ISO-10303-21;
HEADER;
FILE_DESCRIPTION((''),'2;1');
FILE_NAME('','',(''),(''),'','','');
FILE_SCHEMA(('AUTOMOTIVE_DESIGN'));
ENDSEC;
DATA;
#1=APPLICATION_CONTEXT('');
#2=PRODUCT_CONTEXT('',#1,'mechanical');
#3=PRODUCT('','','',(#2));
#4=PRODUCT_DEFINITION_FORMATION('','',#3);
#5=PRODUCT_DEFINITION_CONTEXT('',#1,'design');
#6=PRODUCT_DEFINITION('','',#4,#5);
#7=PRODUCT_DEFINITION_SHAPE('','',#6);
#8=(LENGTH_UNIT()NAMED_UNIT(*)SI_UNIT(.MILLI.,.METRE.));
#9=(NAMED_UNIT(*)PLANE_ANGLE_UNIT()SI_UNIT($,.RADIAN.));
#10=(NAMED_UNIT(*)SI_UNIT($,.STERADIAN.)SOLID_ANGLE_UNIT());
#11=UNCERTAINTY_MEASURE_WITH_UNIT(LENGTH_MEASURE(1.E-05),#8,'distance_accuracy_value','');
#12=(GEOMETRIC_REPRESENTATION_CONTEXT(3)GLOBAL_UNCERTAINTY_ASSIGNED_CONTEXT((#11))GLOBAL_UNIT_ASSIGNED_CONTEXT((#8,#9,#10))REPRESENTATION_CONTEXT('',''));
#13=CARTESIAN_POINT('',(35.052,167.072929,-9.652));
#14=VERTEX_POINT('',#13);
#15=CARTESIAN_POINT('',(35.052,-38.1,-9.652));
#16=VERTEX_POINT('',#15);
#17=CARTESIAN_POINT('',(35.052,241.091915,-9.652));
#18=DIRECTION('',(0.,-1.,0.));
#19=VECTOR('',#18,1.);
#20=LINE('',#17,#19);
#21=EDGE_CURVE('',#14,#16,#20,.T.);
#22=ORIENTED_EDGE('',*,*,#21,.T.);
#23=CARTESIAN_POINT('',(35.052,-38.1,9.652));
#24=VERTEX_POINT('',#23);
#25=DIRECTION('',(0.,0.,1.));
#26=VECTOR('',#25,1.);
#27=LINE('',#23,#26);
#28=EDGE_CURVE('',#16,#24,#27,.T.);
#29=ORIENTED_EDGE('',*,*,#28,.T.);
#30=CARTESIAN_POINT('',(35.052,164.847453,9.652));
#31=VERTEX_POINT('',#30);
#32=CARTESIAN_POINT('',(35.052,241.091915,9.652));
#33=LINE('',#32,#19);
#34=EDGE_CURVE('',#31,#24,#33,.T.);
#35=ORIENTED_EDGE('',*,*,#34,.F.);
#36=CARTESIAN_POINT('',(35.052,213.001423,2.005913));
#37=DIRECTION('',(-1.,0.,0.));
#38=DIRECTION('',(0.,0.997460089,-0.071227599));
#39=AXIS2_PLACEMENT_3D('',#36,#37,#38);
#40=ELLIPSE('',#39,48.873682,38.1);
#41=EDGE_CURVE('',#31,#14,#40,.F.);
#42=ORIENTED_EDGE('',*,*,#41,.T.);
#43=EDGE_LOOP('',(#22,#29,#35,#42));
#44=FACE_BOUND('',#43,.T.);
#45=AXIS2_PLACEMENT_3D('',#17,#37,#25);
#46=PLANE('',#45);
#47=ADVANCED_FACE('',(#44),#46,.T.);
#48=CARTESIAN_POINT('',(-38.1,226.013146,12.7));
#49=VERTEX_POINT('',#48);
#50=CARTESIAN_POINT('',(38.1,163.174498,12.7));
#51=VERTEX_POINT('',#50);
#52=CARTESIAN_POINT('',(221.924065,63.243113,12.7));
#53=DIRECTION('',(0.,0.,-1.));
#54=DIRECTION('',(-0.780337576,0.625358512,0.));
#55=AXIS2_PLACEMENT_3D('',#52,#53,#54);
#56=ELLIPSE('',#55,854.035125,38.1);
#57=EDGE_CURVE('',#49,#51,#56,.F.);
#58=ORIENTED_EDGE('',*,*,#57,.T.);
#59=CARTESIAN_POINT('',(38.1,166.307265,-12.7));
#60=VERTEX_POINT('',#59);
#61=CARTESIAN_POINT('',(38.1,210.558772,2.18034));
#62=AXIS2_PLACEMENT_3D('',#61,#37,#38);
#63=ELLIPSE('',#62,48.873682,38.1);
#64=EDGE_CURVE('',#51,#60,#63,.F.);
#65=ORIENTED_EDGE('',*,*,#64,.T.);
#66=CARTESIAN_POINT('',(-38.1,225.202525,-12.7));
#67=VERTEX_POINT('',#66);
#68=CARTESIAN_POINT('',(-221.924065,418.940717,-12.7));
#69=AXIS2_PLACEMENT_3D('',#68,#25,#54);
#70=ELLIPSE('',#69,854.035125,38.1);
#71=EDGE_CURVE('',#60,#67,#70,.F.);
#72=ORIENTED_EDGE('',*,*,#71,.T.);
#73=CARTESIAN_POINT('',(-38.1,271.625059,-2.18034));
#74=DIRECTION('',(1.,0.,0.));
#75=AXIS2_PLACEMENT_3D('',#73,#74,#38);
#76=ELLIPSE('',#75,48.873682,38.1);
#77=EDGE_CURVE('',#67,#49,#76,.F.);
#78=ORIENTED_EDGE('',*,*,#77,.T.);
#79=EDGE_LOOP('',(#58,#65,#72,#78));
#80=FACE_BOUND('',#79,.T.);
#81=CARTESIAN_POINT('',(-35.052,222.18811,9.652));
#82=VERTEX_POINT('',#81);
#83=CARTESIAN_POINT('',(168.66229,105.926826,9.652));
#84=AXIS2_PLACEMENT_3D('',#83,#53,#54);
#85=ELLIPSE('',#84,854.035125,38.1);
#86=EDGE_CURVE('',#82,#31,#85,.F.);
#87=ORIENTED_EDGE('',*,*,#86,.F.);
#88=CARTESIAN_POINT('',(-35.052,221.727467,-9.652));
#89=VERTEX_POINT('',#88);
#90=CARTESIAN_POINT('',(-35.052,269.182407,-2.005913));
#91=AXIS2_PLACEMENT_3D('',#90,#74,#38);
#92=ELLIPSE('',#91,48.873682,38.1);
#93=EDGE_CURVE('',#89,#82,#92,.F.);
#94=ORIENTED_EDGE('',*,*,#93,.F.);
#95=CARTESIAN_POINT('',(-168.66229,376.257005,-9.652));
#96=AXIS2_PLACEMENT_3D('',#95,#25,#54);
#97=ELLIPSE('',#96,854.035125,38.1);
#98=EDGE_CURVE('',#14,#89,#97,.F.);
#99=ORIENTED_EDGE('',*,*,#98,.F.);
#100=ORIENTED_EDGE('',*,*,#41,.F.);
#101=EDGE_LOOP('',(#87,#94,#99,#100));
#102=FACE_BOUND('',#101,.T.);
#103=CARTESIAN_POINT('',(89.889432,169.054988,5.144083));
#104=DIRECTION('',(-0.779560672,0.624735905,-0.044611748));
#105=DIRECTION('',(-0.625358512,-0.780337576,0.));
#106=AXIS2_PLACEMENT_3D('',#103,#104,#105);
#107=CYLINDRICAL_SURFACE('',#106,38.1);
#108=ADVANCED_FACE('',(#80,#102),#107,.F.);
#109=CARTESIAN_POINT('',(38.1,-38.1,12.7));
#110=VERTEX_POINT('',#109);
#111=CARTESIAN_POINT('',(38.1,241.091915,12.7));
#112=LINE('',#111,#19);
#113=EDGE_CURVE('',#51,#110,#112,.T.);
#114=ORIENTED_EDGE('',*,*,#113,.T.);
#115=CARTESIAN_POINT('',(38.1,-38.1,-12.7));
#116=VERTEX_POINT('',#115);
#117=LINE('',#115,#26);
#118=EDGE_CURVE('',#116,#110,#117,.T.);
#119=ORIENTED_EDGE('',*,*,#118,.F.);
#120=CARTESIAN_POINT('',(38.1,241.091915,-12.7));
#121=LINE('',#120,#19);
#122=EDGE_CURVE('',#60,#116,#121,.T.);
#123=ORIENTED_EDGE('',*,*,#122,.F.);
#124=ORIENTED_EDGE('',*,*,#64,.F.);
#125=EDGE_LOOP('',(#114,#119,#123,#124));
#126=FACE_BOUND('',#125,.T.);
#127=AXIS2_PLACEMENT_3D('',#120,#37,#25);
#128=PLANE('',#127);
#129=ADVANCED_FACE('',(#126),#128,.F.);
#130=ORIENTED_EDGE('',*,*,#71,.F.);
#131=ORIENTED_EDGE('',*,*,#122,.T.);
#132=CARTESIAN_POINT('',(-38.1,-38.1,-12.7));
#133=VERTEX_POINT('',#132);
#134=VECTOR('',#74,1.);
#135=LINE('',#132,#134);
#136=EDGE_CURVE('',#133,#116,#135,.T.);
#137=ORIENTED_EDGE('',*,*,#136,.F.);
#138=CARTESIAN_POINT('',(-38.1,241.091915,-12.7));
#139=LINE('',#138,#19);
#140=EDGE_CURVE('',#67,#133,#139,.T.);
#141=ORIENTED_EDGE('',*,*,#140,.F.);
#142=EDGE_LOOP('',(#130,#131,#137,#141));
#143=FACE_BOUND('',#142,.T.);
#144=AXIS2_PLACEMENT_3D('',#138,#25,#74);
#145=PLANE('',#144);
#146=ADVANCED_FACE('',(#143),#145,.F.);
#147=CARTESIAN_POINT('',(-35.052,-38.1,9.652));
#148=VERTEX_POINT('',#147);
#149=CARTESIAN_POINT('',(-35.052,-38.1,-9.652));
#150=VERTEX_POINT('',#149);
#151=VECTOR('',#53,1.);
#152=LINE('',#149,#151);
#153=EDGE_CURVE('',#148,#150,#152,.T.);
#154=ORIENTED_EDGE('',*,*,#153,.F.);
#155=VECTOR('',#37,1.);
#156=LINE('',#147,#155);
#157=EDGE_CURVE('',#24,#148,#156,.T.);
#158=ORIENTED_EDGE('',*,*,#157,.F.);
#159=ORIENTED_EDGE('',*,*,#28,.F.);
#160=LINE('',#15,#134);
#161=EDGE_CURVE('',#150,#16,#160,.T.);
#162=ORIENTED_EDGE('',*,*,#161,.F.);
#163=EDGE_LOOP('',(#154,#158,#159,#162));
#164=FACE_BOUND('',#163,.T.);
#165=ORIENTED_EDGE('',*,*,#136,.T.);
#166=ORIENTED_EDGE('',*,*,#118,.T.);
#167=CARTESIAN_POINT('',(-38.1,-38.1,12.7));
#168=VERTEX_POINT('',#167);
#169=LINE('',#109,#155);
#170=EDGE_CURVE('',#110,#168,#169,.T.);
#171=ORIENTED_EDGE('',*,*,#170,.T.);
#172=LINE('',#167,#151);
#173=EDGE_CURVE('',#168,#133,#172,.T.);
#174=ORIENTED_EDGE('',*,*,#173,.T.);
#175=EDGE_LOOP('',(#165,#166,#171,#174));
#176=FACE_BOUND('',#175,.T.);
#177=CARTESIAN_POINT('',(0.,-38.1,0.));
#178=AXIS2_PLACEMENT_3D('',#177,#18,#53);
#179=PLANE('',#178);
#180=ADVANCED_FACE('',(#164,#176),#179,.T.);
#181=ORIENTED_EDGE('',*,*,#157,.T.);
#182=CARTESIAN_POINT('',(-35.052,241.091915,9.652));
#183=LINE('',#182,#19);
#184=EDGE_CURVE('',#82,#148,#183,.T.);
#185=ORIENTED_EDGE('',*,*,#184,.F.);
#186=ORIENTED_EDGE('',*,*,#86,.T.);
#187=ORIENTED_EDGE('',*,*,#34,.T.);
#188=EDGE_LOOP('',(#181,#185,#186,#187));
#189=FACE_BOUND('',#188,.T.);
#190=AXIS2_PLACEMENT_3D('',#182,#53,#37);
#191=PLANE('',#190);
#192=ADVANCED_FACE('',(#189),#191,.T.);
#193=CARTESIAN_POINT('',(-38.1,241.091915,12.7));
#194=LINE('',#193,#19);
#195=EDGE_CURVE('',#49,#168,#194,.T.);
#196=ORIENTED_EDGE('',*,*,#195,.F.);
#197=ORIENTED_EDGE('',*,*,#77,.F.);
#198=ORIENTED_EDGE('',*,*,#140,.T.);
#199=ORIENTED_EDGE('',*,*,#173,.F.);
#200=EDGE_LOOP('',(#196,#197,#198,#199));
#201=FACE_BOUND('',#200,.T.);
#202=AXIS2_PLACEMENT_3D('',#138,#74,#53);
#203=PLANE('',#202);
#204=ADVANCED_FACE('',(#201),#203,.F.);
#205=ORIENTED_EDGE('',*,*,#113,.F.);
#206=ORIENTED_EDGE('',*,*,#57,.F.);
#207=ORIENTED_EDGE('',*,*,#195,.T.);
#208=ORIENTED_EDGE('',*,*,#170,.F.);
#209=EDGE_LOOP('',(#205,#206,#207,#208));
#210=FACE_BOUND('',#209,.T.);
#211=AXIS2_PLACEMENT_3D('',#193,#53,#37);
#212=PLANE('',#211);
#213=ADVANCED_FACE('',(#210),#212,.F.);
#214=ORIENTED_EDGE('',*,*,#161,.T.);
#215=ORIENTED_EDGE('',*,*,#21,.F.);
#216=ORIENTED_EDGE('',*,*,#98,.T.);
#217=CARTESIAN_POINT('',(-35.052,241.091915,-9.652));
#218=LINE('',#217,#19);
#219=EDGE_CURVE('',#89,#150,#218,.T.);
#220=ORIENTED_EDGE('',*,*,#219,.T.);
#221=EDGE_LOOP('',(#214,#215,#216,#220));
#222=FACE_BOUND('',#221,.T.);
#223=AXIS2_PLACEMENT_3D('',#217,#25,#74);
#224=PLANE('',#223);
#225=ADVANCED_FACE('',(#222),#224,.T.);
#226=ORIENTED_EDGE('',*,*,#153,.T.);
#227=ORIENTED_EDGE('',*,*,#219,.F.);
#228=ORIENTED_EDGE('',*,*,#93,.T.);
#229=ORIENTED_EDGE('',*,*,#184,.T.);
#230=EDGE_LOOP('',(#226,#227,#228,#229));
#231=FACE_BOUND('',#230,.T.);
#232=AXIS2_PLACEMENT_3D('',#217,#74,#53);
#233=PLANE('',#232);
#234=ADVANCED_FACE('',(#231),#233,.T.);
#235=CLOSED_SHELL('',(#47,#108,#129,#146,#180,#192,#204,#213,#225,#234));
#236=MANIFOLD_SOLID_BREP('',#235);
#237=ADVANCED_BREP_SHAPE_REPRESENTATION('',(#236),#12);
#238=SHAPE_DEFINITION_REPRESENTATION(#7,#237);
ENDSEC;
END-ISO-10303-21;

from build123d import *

# Parameters (mm, degrees)
SKETCH1_W           = 76.2
SKETCH1_H           = 25.4
SKETCH1_W_2         = 70.104
SKETCH1_H_2         = 19.304
BOSS_EXTRUDE1_DEPTH = 241.091915
SKETCH3_W           = 76.2
SKETCH3_H           = 25.4
SKETCH3_W_2         = 70.104
SKETCH3_H_2         = 19.304
BOSS_EXTRUDE2_DEPTH = 3.048
SKETCH4_W           = 76.2
SKETCH4_H           = 25.4
SKETCH4_W_2         = 70.104
SKETCH4_H_2         = 19.304
BOSS_EXTRUDE3_DEPTH = 38.1
CUT_EXTRUDE2_START  = 105.580594
SKETCH5_R           = 38.1
CUT_EXTRUDE2_DEPTH  = 111.6566


with BuildPart() as part:
    # Sketch1 → Boss-Extrude1 (new body)
    with BuildSketch(Plane(origin=(0, 0, 0), x_dir=(1, 0, 0), z_dir=(0, 1, 0))):
        Rectangle(SKETCH1_W, SKETCH1_H)
        Rectangle(SKETCH1_W_2, SKETCH1_H_2, mode=Mode.SUBTRACT)
    extrude(amount=BOSS_EXTRUDE1_DEPTH)

    # Sketch3 → Boss-Extrude2 (add)
    with BuildSketch(Plane(origin=(0, 241.09191526, 0), x_dir=(1, 0, 0), z_dir=(0, 1, 0))):
        Rectangle(SKETCH3_W, SKETCH3_H)
        Rectangle(SKETCH3_W_2, SKETCH3_H_2, mode=Mode.SUBTRACT)
    extrude(amount=BOSS_EXTRUDE2_DEPTH)

    # Sketch4 → Boss-Extrude3 (add)
    with BuildSketch(Plane.XZ):
        Rectangle(SKETCH4_W, SKETCH4_H)
        Rectangle(SKETCH4_W_2, SKETCH4_H_2, mode=Mode.SUBTRACT)
    extrude(amount=BOSS_EXTRUDE3_DEPTH)

    # Sketch5 → Cut-Extrude2 (cut)
    with BuildSketch(Plane(origin=(-107.386524849, 327.150922863, -6.145385199), x_dir=(0.03097261, -0.032688156, -0.998985576), z_dir=(0.779560672, -0.624735905, 0.044611748)).offset(CUT_EXTRUDE2_START)):
        Circle(SKETCH5_R)
    extrude(amount=CUT_EXTRUDE2_DEPTH, mode=Mode.SUBTRACT)


solid = part.part
